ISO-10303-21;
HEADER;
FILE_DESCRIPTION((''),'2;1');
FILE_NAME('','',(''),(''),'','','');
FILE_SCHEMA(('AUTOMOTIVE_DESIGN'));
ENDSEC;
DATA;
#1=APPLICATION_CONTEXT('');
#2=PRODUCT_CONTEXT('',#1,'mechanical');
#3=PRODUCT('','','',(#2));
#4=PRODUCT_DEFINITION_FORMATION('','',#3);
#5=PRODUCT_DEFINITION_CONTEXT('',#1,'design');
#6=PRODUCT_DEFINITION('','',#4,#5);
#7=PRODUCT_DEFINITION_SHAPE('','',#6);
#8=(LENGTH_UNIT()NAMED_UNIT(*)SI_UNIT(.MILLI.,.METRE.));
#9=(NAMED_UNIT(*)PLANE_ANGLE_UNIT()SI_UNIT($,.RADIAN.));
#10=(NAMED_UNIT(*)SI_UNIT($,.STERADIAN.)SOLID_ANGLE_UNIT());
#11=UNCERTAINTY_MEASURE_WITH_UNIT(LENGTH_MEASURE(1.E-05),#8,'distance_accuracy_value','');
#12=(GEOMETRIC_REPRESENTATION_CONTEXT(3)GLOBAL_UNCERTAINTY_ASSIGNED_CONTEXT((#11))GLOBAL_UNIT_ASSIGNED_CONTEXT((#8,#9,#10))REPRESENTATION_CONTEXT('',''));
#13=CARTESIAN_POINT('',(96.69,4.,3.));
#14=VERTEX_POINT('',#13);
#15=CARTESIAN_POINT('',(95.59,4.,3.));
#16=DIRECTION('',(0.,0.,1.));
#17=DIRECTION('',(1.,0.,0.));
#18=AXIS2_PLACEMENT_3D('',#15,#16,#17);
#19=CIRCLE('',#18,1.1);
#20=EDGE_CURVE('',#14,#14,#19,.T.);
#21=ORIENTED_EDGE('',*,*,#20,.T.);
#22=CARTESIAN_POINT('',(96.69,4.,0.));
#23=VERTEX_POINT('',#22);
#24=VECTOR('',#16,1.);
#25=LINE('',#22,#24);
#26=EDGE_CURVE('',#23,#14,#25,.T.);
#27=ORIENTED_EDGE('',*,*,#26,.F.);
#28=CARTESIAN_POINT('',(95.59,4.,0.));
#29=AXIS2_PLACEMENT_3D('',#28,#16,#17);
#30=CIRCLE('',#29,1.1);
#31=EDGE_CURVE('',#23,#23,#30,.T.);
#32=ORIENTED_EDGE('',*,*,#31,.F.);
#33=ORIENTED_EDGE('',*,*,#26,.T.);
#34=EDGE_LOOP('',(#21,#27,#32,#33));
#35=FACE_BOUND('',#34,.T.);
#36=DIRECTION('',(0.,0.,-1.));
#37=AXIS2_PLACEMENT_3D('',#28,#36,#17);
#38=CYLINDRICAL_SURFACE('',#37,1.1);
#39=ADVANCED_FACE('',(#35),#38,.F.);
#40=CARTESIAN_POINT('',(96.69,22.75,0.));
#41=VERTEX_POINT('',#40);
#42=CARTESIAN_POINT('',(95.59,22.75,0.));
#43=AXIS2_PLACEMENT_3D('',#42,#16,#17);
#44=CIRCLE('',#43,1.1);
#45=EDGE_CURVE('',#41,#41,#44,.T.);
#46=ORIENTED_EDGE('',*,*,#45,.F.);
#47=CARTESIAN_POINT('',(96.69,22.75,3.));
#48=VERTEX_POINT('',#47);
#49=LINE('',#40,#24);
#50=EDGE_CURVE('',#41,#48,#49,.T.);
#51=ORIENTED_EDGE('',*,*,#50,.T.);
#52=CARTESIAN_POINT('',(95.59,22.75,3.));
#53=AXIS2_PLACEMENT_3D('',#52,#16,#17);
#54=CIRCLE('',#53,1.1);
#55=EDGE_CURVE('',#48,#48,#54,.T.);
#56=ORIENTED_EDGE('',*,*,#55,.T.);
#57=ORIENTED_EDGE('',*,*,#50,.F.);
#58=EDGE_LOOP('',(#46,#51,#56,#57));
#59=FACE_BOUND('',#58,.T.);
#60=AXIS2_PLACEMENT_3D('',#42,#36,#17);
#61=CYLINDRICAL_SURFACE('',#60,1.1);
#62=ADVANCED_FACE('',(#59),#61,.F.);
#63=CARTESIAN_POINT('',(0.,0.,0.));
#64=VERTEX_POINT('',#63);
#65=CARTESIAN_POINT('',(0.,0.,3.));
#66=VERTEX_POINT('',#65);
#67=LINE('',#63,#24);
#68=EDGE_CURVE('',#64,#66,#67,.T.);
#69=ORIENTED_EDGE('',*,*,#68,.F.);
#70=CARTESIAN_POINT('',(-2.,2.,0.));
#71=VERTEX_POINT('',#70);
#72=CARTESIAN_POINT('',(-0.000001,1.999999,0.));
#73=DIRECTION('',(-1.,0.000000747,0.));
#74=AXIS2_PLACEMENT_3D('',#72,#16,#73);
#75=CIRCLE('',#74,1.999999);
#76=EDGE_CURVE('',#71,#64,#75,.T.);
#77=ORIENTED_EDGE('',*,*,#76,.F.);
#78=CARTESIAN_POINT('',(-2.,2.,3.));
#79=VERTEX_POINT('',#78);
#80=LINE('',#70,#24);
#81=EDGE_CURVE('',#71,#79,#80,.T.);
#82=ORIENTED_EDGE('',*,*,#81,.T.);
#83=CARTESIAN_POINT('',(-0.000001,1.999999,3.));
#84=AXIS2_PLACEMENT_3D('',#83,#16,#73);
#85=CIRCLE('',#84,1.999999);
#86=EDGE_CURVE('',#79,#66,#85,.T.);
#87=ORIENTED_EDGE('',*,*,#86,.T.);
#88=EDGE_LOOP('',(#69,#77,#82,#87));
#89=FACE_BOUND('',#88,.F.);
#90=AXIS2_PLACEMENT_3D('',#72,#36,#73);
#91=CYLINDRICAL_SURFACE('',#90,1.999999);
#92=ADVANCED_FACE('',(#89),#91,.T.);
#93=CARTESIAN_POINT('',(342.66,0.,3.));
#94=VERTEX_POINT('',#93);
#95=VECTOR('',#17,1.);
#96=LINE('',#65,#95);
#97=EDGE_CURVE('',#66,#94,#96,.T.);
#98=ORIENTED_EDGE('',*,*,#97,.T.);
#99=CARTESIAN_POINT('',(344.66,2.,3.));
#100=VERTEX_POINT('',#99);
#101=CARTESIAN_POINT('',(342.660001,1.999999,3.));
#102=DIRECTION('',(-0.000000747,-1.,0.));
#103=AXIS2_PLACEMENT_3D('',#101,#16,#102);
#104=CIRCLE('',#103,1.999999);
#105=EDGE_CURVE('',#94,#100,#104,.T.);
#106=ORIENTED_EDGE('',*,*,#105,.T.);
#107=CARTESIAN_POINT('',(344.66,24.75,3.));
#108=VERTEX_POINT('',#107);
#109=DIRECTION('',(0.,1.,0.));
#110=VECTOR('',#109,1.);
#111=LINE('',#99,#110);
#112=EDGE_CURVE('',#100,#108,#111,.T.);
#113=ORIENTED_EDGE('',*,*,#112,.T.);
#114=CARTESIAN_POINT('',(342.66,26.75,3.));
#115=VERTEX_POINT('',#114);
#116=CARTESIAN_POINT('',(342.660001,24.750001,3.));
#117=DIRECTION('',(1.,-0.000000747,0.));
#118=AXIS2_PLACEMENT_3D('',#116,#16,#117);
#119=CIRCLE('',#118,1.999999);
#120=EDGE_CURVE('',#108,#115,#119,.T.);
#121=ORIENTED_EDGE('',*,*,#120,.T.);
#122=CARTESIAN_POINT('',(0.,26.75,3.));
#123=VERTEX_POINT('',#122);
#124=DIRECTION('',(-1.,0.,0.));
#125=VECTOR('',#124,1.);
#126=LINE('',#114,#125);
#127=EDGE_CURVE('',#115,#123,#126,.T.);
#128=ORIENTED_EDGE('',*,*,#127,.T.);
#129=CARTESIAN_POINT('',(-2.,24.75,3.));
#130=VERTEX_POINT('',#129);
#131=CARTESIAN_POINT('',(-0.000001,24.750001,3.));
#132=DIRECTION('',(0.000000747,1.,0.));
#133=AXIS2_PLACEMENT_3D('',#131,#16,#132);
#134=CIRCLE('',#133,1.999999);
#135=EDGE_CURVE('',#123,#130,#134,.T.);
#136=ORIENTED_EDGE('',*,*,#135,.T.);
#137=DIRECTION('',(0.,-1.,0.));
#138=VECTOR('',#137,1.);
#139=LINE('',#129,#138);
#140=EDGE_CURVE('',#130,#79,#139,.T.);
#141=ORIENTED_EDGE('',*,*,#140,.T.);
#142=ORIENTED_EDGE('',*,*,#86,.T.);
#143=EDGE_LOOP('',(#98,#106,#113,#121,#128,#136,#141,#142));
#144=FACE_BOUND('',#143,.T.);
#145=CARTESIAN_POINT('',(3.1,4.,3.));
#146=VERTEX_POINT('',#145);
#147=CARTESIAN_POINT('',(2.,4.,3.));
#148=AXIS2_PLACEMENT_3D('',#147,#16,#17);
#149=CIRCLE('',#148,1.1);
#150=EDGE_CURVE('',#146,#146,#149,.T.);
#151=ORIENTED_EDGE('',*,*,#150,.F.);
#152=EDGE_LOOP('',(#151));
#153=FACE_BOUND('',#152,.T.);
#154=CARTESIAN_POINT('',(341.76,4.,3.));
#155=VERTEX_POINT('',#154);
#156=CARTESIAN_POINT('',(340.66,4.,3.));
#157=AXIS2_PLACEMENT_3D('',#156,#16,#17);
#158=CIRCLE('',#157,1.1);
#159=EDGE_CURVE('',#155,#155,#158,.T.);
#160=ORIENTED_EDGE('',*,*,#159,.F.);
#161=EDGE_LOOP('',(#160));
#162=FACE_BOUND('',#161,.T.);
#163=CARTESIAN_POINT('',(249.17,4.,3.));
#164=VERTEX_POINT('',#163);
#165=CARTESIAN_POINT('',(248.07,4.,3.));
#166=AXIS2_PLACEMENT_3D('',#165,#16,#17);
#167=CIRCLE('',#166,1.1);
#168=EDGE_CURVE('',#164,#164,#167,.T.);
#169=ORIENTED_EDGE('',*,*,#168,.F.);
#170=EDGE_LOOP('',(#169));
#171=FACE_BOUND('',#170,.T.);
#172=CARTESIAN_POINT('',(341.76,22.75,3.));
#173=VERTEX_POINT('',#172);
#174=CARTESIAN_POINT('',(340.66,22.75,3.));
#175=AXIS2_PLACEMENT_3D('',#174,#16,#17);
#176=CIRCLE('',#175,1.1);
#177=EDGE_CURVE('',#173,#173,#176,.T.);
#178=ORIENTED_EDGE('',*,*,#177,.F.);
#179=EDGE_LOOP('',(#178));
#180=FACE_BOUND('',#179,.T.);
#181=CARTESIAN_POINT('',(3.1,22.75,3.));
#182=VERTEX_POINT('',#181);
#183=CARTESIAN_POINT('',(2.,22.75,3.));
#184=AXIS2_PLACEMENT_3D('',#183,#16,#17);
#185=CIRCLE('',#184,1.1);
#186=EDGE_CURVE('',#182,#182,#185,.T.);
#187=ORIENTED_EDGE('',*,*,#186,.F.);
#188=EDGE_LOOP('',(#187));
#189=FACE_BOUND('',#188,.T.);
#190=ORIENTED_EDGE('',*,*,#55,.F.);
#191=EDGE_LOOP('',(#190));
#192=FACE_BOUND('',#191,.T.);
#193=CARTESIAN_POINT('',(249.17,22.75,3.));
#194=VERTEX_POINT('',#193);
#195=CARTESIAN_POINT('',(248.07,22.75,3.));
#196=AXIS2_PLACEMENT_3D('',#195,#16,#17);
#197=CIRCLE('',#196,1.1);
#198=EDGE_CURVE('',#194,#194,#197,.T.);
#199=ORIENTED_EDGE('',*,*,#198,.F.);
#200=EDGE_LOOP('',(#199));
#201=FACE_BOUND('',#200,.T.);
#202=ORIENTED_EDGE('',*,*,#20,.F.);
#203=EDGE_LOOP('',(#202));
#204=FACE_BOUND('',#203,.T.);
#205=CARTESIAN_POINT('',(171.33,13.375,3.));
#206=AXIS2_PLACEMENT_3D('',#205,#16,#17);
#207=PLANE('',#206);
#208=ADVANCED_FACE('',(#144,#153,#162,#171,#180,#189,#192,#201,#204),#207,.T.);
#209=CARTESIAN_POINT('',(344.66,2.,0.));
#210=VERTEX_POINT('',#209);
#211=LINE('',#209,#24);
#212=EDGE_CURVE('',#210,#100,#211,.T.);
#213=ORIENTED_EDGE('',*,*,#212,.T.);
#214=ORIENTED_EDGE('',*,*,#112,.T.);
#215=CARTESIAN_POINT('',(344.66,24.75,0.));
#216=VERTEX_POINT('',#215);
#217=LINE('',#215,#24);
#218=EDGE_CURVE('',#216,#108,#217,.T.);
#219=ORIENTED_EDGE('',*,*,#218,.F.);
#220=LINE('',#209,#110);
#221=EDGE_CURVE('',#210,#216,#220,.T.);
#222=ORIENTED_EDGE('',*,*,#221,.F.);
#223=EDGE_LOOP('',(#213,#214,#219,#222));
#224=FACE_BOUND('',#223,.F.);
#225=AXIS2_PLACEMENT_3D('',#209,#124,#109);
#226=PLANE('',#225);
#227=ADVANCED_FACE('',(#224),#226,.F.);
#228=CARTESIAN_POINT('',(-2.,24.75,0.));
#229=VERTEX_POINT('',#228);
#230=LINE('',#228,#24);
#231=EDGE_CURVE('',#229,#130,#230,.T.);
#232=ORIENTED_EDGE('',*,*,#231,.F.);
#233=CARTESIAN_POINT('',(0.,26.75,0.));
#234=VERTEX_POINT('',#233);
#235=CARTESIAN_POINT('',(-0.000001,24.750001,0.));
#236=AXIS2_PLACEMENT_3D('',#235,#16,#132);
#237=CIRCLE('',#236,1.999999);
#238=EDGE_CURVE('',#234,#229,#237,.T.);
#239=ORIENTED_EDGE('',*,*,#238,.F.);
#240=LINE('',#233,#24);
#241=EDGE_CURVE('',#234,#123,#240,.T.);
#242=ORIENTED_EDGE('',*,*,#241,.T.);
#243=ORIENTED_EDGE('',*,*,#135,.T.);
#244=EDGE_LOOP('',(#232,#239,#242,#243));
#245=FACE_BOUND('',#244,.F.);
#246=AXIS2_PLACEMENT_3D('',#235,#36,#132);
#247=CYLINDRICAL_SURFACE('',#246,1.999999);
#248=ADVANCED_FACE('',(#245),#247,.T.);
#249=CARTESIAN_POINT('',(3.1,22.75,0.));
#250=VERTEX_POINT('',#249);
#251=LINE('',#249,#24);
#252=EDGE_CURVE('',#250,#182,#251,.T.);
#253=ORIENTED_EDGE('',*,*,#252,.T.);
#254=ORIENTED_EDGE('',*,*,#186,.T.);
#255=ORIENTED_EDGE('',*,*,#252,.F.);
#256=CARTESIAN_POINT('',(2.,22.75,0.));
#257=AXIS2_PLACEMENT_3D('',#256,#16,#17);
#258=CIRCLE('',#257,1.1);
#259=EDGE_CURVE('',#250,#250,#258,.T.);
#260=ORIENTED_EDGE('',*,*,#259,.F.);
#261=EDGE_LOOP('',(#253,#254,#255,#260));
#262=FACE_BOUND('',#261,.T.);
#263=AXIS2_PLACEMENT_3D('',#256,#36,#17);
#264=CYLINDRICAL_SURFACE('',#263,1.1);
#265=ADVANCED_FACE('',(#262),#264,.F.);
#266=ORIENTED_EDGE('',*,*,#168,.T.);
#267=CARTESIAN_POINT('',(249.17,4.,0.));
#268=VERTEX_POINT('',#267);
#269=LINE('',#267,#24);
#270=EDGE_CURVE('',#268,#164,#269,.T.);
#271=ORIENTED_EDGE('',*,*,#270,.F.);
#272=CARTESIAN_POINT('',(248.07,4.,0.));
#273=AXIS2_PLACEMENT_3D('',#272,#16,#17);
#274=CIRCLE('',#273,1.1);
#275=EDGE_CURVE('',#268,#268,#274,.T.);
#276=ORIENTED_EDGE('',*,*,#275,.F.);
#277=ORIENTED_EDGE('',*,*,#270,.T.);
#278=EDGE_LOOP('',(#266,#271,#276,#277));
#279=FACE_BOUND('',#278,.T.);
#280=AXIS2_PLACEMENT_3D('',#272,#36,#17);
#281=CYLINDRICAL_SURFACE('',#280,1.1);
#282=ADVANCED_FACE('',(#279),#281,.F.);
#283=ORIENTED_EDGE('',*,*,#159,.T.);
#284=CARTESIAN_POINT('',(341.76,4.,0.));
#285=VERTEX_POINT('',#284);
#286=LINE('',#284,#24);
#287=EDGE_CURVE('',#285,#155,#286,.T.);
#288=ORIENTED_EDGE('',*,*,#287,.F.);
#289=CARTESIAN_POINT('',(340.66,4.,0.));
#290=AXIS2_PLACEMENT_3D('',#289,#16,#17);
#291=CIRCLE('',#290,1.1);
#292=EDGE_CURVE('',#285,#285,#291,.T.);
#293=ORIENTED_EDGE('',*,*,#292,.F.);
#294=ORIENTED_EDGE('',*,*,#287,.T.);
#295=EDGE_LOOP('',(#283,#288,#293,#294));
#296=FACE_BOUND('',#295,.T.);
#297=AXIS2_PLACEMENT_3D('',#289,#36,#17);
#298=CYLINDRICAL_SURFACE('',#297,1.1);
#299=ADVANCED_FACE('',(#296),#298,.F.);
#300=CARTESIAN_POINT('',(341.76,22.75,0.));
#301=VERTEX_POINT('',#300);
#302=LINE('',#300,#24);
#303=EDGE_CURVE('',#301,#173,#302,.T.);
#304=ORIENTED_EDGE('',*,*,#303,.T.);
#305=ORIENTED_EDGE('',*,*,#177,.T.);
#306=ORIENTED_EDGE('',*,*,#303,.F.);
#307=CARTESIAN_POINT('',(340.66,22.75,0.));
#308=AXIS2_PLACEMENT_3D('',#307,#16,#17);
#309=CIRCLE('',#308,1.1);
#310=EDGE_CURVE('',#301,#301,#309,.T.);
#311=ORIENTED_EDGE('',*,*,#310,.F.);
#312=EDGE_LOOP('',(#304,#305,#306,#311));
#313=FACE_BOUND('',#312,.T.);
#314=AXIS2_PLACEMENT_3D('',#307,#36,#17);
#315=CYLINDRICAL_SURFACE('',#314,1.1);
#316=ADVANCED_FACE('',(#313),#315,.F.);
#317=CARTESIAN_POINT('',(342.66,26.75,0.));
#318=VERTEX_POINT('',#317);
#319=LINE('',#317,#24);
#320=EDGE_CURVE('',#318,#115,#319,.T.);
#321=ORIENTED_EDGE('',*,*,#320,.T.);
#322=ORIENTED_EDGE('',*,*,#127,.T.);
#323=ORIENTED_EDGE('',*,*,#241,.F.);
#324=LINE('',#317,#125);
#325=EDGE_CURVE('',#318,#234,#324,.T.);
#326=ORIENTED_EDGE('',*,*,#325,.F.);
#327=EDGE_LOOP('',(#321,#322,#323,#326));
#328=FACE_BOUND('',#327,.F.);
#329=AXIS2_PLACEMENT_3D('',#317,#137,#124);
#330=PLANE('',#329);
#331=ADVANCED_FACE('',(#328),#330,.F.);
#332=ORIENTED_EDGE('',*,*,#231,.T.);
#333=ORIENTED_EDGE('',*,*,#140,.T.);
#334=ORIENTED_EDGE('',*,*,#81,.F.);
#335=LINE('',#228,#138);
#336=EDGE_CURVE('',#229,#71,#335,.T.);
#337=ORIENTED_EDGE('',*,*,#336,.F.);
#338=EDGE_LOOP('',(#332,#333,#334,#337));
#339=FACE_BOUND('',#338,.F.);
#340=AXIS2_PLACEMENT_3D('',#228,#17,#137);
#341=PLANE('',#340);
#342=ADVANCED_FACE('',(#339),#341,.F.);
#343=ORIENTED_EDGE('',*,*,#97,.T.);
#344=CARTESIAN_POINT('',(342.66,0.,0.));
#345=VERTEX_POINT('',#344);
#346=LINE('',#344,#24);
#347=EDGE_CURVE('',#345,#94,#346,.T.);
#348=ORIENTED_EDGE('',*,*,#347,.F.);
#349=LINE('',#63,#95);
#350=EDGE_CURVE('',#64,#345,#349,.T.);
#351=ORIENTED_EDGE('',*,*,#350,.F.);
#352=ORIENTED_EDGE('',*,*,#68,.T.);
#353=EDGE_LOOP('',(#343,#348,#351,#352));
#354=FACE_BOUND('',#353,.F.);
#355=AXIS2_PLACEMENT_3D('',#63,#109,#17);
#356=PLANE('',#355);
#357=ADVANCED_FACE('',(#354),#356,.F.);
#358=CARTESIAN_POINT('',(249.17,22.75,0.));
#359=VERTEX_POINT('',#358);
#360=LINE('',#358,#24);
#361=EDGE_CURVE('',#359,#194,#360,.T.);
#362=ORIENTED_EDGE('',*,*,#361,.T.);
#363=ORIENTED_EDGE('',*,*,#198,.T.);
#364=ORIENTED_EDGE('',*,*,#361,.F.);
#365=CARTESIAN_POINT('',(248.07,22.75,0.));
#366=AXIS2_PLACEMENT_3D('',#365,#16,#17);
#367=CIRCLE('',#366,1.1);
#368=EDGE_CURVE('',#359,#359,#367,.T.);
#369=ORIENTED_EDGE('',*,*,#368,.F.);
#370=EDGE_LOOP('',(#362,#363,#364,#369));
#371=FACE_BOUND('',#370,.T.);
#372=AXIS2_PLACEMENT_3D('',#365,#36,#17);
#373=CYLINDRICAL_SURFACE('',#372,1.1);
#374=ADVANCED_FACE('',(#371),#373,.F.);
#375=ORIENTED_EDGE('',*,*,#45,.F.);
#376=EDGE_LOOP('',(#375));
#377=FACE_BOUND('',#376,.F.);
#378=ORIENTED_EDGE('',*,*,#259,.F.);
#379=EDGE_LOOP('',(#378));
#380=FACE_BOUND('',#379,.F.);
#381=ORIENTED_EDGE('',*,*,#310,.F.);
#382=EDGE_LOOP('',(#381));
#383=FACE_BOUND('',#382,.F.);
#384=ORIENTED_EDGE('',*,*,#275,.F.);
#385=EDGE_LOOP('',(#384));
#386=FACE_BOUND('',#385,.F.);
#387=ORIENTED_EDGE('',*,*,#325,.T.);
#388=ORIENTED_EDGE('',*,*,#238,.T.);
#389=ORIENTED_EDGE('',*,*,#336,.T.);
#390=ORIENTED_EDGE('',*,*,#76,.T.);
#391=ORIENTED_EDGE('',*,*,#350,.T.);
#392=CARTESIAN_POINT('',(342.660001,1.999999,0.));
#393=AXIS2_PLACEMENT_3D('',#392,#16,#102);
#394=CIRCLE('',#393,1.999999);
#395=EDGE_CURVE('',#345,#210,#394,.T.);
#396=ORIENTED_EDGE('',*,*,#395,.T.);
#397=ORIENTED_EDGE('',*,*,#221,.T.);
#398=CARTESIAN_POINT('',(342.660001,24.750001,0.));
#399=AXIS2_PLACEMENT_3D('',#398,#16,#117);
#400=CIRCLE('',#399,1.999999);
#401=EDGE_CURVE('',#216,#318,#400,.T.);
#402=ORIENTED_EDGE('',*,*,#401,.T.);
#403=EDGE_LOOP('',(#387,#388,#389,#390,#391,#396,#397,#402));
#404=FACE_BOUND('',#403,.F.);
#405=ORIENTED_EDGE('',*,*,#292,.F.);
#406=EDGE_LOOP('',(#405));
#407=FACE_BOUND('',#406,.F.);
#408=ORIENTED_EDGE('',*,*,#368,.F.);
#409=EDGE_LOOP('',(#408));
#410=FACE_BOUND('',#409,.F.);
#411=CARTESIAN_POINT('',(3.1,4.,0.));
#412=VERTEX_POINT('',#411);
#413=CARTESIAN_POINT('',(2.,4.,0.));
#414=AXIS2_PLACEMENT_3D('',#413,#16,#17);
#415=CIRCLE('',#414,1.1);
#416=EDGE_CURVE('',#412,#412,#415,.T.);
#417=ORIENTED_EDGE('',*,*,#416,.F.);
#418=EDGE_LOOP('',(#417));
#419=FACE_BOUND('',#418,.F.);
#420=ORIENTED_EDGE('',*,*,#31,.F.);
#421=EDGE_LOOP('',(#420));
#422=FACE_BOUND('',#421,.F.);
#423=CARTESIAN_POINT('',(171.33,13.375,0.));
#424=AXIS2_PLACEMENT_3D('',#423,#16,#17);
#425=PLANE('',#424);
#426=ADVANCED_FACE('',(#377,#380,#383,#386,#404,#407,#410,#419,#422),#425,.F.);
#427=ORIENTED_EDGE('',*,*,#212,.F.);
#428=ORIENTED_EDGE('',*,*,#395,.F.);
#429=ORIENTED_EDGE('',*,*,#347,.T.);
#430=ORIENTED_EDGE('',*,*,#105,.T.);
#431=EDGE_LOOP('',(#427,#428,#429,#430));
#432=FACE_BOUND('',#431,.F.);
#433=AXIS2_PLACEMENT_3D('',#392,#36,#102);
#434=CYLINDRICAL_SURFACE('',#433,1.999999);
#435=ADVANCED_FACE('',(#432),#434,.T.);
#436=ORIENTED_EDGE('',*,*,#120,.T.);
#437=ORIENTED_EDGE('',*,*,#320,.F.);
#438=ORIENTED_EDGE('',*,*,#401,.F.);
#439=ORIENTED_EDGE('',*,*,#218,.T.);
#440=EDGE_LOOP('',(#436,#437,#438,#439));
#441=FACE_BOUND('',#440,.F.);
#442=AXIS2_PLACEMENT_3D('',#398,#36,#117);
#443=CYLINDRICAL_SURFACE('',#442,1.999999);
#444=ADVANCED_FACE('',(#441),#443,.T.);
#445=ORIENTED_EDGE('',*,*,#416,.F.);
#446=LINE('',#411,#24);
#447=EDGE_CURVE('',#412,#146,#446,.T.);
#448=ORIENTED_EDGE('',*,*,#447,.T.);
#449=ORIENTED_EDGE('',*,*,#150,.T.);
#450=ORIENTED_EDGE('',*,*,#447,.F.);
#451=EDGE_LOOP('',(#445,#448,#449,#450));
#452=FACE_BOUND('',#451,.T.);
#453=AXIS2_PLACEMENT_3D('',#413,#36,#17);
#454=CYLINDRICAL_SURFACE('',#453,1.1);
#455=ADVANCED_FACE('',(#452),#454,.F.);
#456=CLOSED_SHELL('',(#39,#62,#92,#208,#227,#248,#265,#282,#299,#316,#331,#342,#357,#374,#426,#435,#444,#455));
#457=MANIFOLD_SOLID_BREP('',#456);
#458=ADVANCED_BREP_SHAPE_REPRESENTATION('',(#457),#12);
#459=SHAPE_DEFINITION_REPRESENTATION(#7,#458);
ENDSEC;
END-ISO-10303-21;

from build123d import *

# Parameters (mm, degrees)
SKETCH_R  = 1.1
PAD_DEPTH = 3


with BuildPart() as part:
    # Sketch → Pad (new body)
    with BuildSketch(Plane.XY):
        with BuildLine():
            Line((0, 0), (342.66, 0))
            ThreePointArc((342.66, 0), (344.074214, 0.585786), (344.66, 2))
            Line((344.66, 2), (344.66, 24.75))
            ThreePointArc((344.66, 24.75), (344.074214, 26.164214), (342.66, 26.75))
            Line((342.66, 26.75), (0, 26.75))
            ThreePointArc((0, 26.75), (-1.414214, 26.164214), (-2, 24.75))
            Line((-2, 24.75), (-2, 2))
            ThreePointArc((-2, 2), (-1.414214, 0.585786), (0, 0))
        make_face()
        with Locations((2, 22.75)):
            Circle(SKETCH_R, mode=Mode.SUBTRACT)
        with Locations((2, 4)):
            Circle(SKETCH_R, mode=Mode.SUBTRACT)
        with Locations((95.59, 22.75)):
            Circle(SKETCH_R, mode=Mode.SUBTRACT)
        with Locations((95.59, 4)):
            Circle(SKETCH_R, mode=Mode.SUBTRACT)
        with Locations((248.07, 22.75)):
            Circle(SKETCH_R, mode=Mode.SUBTRACT)
        with Locations((248.07, 4)):
            Circle(SKETCH_R, mode=Mode.SUBTRACT)
        with Locations((340.66, 22.75)):
            Circle(SKETCH_R, mode=Mode.SUBTRACT)
        with Locations((340.66, 4)):
            Circle(SKETCH_R, mode=Mode.SUBTRACT)
    extrude(amount=PAD_DEPTH)


solid = part.part
